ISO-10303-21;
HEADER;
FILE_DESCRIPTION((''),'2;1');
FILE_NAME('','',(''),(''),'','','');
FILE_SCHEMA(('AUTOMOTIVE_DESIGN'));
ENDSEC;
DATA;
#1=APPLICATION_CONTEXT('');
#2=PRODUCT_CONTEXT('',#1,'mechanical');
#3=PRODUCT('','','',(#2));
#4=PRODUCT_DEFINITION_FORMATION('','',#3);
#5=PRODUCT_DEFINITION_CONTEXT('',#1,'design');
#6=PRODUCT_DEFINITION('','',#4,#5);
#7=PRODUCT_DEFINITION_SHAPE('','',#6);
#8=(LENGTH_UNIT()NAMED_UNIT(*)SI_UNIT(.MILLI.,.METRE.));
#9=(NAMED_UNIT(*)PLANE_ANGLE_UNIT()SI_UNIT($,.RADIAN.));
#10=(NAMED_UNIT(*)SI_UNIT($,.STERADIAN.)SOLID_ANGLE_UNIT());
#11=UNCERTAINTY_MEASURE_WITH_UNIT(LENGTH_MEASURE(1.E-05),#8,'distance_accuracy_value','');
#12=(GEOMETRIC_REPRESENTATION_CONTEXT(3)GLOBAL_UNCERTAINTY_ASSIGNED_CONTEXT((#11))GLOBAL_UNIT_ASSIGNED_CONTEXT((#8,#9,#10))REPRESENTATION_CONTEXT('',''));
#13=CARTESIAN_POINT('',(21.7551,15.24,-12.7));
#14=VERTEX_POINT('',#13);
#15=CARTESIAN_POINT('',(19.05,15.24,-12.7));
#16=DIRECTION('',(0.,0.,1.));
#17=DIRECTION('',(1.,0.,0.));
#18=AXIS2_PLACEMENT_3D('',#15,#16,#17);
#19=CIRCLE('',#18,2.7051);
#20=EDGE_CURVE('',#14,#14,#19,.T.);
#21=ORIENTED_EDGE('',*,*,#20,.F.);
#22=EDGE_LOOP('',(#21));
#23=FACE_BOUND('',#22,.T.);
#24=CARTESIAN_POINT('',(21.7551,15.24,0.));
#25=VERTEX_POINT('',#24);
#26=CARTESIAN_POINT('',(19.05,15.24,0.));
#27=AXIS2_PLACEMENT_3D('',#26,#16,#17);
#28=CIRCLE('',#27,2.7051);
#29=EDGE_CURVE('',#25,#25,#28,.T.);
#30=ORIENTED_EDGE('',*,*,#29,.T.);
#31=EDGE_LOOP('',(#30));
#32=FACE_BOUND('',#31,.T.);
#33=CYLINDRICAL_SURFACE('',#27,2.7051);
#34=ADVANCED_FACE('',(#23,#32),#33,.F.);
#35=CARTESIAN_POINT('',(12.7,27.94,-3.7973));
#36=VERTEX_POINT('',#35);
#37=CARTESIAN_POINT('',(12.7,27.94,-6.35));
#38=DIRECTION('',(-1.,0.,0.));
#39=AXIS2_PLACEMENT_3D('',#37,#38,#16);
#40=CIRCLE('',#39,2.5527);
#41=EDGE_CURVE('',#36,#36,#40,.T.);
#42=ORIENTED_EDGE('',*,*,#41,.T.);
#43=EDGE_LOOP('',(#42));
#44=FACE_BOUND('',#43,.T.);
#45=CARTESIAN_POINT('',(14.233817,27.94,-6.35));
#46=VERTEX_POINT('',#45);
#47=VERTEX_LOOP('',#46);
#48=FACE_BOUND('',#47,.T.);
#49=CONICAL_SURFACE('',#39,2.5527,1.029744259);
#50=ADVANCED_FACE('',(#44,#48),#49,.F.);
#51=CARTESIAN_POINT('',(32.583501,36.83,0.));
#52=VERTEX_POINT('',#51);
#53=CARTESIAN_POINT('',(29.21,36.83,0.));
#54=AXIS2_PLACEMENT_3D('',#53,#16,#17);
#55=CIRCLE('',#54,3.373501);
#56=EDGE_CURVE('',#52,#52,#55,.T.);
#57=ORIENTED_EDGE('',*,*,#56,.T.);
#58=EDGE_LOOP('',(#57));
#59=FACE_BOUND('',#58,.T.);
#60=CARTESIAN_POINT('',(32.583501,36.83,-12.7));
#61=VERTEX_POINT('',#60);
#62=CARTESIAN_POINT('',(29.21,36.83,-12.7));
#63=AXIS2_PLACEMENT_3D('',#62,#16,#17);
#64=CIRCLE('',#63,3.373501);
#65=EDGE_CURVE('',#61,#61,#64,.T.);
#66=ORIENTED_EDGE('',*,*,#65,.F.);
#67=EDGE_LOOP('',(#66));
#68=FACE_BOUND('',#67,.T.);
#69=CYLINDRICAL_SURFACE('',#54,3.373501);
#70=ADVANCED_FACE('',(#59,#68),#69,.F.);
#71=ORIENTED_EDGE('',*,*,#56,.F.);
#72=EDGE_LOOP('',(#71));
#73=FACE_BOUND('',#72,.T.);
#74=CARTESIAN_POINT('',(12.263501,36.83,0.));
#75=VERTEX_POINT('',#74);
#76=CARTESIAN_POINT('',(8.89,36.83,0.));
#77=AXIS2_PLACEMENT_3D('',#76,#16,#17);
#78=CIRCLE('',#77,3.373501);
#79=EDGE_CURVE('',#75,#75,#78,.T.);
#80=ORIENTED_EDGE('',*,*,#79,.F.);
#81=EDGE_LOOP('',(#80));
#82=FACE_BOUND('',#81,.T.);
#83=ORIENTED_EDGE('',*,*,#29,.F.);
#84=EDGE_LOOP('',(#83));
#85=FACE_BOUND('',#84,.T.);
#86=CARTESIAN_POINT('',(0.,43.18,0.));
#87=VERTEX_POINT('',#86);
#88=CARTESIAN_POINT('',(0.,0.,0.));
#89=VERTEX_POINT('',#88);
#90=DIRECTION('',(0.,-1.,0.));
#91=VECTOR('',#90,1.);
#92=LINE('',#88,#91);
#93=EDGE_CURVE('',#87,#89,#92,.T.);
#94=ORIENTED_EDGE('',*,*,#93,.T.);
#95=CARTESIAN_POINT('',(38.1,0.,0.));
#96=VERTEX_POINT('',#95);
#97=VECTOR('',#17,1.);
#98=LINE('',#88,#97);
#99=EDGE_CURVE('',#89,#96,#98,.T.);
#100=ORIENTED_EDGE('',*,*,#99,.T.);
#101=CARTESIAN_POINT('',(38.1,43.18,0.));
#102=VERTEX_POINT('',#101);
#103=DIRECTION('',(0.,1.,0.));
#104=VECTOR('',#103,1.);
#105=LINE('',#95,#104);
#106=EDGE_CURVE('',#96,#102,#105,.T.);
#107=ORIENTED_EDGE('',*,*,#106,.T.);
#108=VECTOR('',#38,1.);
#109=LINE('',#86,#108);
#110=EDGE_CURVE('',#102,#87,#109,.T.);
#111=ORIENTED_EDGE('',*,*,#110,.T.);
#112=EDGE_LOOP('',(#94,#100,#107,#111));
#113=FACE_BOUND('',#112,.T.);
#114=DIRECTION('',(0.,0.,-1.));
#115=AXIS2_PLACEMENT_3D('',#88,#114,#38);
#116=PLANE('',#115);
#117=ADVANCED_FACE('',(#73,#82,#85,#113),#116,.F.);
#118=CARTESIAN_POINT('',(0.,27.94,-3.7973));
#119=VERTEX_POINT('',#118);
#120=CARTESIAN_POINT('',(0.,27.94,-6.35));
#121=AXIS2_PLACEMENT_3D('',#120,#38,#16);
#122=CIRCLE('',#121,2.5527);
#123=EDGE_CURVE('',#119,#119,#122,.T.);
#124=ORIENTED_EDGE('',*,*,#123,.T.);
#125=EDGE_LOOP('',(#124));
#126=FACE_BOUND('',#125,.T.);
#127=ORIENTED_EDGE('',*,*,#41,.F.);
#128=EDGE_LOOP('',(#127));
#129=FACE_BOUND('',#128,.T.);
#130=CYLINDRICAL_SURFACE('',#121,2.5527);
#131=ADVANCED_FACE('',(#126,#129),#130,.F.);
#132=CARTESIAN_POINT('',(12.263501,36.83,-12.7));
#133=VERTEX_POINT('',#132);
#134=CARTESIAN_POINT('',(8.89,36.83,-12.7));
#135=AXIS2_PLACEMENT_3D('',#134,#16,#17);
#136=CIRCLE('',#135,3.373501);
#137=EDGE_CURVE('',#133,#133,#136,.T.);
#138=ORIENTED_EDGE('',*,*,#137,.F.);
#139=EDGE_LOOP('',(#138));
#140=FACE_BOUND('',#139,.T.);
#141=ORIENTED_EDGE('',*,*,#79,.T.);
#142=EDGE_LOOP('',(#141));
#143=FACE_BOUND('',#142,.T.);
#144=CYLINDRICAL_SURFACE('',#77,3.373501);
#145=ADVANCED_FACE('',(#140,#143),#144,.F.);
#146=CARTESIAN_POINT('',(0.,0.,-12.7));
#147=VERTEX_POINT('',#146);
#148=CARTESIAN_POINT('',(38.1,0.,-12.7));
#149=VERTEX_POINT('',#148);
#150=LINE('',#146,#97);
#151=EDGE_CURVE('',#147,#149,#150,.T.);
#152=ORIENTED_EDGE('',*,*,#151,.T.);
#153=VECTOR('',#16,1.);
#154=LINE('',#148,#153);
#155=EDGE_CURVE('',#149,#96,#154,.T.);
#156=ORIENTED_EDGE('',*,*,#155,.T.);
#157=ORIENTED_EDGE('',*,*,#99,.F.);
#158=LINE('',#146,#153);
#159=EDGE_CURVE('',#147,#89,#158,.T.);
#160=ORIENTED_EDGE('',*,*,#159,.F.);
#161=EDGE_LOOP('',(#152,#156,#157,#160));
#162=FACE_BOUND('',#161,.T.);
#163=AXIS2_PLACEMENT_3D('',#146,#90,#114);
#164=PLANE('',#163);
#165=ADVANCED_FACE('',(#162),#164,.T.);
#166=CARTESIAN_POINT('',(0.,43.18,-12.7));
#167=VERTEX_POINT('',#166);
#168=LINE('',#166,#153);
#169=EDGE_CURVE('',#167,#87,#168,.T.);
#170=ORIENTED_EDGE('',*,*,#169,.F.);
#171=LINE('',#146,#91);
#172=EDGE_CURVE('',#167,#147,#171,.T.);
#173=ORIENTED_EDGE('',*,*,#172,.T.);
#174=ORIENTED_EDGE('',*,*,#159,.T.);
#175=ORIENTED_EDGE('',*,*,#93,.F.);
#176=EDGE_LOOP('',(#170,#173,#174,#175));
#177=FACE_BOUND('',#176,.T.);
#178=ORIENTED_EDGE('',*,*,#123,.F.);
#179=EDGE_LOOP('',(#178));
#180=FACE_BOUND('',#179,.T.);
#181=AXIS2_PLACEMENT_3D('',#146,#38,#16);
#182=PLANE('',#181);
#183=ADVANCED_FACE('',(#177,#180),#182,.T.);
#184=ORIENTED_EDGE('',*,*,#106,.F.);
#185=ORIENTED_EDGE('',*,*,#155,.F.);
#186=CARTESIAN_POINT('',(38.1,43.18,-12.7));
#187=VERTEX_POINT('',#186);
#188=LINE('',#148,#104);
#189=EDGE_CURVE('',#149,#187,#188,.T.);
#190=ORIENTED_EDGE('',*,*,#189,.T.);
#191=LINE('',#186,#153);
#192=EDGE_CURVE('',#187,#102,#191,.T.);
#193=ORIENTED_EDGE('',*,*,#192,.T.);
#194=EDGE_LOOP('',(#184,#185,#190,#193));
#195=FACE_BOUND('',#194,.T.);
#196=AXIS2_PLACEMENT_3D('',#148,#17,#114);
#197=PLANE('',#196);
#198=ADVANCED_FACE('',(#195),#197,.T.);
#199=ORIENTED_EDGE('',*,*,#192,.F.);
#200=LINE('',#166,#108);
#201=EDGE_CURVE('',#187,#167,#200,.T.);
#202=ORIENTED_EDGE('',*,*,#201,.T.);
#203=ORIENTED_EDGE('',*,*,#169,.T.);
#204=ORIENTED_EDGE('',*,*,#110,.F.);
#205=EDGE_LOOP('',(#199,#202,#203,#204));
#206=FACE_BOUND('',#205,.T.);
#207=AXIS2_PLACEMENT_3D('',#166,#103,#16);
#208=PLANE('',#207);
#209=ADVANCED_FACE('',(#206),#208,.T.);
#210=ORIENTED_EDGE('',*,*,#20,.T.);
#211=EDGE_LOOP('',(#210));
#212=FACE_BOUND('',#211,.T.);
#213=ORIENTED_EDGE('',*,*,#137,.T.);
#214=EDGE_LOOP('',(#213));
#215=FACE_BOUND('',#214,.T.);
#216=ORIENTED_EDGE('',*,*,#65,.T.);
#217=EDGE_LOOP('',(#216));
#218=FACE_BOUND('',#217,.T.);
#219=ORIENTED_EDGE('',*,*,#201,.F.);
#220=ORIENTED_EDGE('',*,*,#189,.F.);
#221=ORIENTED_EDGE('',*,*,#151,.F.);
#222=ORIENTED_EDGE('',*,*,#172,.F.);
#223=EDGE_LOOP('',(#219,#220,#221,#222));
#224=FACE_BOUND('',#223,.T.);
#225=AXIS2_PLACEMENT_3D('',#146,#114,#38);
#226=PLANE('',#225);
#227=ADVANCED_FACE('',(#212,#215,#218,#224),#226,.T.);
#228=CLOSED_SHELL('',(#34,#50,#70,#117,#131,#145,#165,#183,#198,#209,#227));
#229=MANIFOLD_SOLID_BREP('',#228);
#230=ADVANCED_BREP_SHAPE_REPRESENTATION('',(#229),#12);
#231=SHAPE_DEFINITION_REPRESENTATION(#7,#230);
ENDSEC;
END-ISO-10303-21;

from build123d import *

# Parameters (mm, degrees)
SKETCH1_W                        = 38.1
SKETCH1_H                        = 43.18
BOSS_EXTRUDE1_DEPTH              = 12.7
F_17_64_0_26563_DIAMETER_HOLE1_D = 6.747002
F_1_4_20_TAPPED_HOLE2_D          = 5.1054
F_1_4_20_TAPPED_HOLE2_DEPTH      = 12.7
F_1_4_20_TAPPED_HOLE2_TIP        = 1.533816902
F_1_4_28_TAPPED_HOLE1_D          = 5.4102


with BuildPart() as part:
    # Sketch1 → Boss-Extrude1 (new body)
    with BuildSketch(Plane.XY):
        with Locations((19.05, 21.59)):
            Rectangle(SKETCH1_W, SKETCH1_H)
    extrude(amount=-BOSS_EXTRUDE1_DEPTH)

    # 17/64 (0.26563) Diameter Hole1 (through all)
    with Locations(Plane(origin=(29.21, 36.83, 0), x_dir=(1, 0, 0), z_dir=(0, 0, 1))):
        with Locations((0, 0), (-20.32, 0)):
            Hole(F_17_64_0_26563_DIAMETER_HOLE1_D / 2)

    # 1/4-20 Tapped Hole2
    with Locations(Plane(origin=(0, 27.94, -6.35), x_dir=(0, 0, -1), z_dir=(-1, 0, 0))):
        with Locations((0, 0)):
            Hole(F_1_4_20_TAPPED_HOLE2_D / 2, depth=F_1_4_20_TAPPED_HOLE2_DEPTH)
            with Locations((0, 0, -(F_1_4_20_TAPPED_HOLE2_DEPTH + F_1_4_20_TAPPED_HOLE2_TIP / 2))):  # 118° drill point
                Cone(0, F_1_4_20_TAPPED_HOLE2_D / 2, F_1_4_20_TAPPED_HOLE2_TIP, mode=Mode.SUBTRACT)

    # 1/4-28 Tapped Hole1 (through all)
    with Locations(Plane(origin=(19.05, 15.24, 0), x_dir=(1, 0, 0), z_dir=(0, 0, 1))):
        with Locations((0, 0)):
            Hole(F_1_4_28_TAPPED_HOLE1_D / 2)


solid = part.part
